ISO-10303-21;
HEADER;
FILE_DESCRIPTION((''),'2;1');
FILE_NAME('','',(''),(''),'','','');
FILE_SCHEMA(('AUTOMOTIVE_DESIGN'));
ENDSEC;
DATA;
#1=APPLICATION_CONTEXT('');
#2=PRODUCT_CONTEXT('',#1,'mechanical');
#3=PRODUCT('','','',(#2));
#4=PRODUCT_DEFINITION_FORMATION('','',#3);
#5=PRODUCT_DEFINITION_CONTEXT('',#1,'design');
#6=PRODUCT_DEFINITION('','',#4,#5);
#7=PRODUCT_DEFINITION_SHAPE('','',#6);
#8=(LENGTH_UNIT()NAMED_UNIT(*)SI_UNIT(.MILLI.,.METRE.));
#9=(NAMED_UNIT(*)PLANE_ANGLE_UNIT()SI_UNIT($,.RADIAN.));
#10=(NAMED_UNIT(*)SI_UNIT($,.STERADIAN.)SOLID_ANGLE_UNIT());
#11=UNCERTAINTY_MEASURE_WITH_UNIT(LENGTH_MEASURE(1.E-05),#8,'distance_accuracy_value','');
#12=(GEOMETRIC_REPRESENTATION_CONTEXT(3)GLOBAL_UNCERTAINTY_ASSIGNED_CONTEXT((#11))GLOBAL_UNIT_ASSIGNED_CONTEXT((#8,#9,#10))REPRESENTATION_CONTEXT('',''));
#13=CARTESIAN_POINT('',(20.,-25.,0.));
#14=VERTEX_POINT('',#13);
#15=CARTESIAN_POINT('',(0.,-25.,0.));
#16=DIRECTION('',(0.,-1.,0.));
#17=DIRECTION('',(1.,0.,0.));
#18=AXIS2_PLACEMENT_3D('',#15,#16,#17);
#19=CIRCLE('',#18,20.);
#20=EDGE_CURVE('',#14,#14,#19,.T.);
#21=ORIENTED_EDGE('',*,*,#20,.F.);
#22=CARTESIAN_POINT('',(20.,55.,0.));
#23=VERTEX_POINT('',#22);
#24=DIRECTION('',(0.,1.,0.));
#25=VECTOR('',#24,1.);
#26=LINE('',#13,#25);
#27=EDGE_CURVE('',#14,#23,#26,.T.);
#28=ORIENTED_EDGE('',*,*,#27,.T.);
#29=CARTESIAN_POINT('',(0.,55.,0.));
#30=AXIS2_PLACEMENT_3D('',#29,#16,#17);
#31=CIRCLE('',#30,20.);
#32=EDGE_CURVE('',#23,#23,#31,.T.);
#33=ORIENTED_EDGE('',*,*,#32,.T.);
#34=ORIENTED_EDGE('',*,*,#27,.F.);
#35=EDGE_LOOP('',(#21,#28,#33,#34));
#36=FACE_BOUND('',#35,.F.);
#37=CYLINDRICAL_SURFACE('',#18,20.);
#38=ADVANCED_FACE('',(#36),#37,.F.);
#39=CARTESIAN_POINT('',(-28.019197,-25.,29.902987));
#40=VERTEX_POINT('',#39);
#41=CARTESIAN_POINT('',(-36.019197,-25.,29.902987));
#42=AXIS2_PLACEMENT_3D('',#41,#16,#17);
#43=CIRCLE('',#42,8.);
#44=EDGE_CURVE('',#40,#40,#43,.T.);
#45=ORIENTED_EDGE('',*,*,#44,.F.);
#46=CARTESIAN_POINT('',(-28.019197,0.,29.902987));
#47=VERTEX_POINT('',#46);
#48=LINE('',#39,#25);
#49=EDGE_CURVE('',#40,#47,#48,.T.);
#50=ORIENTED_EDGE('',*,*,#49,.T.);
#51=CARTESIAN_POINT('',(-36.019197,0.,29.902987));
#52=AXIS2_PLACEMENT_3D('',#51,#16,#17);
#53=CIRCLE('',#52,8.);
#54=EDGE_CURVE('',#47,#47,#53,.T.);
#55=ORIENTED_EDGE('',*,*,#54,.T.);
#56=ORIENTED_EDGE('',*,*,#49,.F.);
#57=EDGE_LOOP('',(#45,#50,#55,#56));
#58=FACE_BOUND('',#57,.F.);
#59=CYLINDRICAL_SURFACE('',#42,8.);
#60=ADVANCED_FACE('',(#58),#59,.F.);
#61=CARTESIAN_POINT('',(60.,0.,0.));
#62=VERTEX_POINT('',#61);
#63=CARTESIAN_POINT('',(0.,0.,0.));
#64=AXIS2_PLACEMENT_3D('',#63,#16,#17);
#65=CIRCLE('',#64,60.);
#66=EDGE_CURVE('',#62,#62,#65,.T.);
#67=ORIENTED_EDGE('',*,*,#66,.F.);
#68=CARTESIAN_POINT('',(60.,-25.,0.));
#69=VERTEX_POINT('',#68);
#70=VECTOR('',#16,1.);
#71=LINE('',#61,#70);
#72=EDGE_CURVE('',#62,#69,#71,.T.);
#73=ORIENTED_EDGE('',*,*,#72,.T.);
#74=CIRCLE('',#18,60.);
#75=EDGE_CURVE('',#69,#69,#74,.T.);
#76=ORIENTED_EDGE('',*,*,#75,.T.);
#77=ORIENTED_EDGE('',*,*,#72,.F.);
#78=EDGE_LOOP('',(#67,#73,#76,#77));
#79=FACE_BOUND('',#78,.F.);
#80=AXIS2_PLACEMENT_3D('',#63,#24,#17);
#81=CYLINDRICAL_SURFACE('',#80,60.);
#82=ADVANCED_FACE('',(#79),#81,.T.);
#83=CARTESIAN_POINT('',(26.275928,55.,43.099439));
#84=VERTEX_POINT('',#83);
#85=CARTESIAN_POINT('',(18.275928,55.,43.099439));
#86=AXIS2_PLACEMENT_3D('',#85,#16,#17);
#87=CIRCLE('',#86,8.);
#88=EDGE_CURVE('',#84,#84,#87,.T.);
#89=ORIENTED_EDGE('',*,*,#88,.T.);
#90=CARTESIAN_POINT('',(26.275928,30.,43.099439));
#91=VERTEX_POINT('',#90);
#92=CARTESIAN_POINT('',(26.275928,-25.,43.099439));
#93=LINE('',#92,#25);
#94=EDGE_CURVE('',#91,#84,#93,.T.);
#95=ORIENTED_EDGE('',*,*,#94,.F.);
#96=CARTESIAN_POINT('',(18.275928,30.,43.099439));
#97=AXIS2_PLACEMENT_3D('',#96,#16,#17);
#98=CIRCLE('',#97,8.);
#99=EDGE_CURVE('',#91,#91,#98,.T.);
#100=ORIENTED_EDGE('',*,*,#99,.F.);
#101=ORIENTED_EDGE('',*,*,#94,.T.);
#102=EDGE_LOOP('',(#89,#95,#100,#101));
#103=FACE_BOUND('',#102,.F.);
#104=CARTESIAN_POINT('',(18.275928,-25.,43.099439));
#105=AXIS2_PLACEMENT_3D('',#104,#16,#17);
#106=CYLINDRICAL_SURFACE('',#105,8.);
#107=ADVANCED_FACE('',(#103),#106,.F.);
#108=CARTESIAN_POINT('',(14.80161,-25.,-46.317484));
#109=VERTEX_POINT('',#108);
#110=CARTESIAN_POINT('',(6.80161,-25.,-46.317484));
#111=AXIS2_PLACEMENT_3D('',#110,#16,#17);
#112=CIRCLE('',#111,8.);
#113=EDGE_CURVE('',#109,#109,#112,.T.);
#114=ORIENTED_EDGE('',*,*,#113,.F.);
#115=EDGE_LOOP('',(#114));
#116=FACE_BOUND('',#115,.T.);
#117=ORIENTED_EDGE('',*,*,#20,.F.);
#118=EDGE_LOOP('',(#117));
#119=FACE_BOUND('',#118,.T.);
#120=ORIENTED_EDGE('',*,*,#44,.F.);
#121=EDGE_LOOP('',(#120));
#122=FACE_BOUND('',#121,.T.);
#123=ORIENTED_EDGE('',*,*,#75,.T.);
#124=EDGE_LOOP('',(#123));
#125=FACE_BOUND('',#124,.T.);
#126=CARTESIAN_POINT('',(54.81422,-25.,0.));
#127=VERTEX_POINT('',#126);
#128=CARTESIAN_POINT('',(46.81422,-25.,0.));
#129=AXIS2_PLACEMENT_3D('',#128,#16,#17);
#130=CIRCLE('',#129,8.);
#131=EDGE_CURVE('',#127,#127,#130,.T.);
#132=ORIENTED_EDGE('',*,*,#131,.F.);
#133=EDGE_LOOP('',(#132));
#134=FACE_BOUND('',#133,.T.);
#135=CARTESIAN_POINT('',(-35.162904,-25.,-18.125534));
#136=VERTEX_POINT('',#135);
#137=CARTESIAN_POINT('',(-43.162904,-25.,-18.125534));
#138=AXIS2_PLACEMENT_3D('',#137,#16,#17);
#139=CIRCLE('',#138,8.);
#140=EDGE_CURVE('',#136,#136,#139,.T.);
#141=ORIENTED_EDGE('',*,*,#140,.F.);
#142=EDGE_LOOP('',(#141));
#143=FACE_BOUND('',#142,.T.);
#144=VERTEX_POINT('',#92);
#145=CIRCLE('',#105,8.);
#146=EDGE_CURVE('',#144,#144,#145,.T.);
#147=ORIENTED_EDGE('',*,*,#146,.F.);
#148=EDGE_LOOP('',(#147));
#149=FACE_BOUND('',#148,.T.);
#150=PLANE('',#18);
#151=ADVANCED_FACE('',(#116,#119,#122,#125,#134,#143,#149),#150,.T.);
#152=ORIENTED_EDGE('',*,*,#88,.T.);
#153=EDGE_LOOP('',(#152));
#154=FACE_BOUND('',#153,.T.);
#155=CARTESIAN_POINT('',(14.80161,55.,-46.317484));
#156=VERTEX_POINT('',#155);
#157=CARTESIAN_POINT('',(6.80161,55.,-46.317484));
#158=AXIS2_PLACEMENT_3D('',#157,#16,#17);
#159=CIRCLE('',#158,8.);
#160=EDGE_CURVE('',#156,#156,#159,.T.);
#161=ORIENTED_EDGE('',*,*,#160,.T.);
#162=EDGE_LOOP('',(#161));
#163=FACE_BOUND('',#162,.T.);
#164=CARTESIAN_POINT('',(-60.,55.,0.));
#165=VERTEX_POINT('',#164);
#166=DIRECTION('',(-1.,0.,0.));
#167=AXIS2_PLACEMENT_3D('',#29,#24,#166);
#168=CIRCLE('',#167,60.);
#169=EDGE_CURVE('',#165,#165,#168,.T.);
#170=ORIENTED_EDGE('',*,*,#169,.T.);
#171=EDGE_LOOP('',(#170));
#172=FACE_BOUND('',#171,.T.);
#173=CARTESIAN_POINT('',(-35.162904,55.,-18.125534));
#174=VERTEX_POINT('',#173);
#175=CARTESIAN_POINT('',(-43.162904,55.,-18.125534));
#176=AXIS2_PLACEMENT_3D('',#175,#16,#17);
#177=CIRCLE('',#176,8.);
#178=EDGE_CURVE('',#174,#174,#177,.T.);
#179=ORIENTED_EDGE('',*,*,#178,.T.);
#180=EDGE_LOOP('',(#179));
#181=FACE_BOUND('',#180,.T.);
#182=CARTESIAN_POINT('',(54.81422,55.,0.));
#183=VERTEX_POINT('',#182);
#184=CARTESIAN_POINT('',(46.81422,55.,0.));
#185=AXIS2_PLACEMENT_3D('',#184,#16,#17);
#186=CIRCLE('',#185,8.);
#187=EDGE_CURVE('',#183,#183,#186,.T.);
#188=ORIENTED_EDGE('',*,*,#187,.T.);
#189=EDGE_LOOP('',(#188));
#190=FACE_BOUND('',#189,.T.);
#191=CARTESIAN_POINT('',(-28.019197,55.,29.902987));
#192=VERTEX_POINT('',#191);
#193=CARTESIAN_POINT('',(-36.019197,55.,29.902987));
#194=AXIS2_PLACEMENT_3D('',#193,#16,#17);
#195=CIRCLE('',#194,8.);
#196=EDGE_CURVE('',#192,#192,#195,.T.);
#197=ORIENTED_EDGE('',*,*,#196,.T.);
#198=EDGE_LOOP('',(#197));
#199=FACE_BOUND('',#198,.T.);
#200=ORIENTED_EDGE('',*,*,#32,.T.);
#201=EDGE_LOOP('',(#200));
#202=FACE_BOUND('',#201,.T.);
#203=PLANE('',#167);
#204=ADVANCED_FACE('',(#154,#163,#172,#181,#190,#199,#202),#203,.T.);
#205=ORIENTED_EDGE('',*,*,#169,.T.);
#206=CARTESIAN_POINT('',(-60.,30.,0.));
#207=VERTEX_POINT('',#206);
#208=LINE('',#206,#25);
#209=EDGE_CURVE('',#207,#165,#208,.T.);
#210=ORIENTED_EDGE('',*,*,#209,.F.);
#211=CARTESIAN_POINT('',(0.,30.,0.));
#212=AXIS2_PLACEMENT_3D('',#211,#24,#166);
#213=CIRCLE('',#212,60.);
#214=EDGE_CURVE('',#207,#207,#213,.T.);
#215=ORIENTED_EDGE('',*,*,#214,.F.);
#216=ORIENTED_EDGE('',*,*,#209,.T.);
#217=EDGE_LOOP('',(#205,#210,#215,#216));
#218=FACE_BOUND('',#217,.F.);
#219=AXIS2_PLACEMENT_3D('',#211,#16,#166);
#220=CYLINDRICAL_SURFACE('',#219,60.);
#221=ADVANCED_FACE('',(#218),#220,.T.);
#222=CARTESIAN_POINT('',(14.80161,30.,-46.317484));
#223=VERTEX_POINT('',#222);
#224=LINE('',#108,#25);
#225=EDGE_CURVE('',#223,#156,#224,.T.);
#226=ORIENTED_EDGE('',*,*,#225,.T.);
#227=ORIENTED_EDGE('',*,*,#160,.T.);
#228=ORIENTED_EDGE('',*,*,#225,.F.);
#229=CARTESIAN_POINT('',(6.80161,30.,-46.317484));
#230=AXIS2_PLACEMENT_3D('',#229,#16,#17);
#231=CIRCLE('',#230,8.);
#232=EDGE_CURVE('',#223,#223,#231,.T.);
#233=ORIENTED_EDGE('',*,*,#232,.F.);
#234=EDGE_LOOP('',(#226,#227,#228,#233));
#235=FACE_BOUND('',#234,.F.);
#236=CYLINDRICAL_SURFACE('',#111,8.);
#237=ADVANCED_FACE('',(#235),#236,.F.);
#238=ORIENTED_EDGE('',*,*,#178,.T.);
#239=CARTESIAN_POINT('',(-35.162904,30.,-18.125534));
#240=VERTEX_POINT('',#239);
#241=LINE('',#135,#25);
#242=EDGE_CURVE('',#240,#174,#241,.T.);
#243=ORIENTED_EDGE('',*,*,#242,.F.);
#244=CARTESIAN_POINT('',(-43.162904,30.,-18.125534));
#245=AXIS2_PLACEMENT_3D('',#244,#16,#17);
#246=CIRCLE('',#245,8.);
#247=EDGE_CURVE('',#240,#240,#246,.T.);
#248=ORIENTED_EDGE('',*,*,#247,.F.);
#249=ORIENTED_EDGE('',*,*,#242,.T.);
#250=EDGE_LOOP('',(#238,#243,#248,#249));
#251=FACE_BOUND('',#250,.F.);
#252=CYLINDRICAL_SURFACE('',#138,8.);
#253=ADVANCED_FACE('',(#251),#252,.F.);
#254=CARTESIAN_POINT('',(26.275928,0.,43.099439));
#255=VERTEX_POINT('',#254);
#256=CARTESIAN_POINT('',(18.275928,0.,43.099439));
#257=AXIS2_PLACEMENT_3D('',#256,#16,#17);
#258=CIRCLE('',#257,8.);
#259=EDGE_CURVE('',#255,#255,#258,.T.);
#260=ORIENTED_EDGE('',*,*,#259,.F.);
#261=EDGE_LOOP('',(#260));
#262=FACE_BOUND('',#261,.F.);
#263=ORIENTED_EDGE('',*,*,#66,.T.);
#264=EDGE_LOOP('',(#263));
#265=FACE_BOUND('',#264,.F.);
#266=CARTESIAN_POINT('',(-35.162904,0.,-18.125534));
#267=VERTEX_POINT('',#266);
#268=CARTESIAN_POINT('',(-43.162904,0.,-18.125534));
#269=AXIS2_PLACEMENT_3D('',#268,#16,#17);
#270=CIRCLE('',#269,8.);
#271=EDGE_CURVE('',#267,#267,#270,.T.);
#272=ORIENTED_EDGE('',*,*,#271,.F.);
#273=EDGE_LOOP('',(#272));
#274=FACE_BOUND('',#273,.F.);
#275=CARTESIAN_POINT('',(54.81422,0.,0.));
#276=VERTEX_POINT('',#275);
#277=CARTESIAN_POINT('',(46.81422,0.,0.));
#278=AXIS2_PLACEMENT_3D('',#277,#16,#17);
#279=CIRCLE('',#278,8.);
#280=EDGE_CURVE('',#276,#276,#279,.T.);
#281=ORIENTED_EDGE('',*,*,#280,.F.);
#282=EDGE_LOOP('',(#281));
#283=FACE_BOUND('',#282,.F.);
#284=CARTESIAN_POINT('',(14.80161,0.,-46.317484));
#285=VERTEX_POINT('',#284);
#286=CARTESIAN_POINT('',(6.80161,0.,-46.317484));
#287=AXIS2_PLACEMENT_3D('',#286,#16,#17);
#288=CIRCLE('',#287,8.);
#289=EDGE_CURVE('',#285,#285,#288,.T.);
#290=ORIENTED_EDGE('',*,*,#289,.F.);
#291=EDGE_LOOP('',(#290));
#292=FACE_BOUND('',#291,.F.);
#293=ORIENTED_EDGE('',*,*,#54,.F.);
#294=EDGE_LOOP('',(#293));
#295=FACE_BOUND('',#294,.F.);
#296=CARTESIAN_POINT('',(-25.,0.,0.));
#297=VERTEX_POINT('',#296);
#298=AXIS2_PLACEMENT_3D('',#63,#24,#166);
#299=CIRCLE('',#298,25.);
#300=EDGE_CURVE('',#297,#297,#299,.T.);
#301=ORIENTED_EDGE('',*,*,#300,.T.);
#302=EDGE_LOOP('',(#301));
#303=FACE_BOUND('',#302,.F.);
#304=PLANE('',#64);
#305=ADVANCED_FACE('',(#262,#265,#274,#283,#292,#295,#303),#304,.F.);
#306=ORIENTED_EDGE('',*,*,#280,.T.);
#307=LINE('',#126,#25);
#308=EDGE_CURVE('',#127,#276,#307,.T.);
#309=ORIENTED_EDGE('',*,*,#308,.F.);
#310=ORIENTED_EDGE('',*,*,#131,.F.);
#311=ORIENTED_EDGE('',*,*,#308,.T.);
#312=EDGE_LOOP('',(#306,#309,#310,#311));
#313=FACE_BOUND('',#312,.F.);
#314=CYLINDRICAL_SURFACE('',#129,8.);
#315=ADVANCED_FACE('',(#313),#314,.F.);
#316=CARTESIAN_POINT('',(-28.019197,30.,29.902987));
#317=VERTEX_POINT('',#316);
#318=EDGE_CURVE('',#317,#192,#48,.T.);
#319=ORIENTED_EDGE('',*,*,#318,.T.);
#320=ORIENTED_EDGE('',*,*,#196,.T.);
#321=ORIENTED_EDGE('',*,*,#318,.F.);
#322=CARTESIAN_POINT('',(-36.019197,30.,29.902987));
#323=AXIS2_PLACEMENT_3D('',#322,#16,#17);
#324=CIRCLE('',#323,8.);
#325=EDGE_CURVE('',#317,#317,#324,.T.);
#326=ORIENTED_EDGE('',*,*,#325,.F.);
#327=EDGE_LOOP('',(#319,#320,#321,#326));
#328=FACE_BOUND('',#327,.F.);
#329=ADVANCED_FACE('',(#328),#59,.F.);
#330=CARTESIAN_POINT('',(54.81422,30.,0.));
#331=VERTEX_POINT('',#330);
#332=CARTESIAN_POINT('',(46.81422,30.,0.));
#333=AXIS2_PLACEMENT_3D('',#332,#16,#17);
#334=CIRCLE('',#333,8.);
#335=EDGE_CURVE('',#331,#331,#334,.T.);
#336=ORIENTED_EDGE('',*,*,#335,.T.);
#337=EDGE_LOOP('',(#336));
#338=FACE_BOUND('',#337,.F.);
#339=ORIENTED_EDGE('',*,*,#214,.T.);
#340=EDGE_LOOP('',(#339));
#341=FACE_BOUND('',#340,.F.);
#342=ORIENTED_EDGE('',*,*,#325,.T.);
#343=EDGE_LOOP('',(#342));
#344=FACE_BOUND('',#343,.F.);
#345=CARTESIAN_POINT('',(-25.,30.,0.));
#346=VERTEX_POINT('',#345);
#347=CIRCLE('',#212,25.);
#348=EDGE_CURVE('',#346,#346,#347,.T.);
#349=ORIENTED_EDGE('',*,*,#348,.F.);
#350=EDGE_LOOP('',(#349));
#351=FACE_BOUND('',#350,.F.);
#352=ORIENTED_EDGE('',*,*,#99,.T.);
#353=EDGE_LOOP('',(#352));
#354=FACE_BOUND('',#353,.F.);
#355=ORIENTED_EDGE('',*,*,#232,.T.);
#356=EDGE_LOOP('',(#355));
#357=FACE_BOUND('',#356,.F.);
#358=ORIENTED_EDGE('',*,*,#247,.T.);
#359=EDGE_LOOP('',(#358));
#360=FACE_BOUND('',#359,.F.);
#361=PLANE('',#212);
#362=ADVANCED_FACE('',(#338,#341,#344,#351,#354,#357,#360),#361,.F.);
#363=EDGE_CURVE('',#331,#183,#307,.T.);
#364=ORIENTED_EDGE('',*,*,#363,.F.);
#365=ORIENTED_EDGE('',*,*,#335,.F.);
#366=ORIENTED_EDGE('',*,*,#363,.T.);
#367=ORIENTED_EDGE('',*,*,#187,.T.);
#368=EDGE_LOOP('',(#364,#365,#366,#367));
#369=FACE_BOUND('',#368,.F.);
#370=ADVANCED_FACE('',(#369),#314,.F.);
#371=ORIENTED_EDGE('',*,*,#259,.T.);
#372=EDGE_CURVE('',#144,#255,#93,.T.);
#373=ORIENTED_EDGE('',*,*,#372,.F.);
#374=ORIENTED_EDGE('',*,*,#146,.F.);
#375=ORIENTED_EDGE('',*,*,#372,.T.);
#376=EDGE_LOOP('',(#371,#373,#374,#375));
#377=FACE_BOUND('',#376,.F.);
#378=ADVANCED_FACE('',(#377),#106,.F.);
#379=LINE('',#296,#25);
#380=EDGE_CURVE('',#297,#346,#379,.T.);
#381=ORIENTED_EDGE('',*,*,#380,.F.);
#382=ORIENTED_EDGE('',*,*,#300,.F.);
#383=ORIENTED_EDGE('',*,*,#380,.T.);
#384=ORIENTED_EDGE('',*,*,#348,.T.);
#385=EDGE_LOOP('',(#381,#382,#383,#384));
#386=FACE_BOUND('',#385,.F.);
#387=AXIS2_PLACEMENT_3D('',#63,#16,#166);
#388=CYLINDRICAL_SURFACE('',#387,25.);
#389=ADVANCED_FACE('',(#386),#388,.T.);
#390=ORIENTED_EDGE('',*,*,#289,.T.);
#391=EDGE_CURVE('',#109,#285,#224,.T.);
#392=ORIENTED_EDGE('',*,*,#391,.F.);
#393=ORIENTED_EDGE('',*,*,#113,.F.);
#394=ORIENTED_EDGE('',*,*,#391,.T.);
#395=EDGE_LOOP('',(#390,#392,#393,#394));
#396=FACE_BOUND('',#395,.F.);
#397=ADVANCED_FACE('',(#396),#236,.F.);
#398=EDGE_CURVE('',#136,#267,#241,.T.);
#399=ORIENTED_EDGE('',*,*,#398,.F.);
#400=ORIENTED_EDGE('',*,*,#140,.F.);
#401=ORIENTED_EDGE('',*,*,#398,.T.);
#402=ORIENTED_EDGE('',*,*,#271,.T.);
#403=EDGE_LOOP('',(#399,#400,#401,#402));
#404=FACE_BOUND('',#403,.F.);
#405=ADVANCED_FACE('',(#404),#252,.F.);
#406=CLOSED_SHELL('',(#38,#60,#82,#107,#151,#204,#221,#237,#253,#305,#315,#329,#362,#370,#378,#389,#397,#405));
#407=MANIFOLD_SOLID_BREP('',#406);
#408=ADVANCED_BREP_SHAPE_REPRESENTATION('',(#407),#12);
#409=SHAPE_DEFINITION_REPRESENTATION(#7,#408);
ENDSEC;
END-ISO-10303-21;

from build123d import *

# Parameters (mm, degrees)
F0_R     = 60
F1_DEPTH = 25
F2_R     = 25
F3_DEPTH = 30
F4_R     = 60
F5_DEPTH = 25
F6_R     = 20
F7_DEPTH = 80.001
F8_R     = 8
F9_DEPTH = 80.001


with BuildPart() as f1:
    # F0 (on Front) → F1 (new body)
    with BuildSketch(Plane.XZ):
        Circle(F0_R)
    extrude(amount=F1_DEPTH)

    # F2 (on face) → F3 (join)
    with BuildSketch(Plane(origin=(0, 0, 0), x_dir=(-1, 0, 0), z_dir=(0, 1, 0))):
        Circle(F2_R)
    extrude(amount=F3_DEPTH)

    # F4 (on face) → F5 (join)
    with BuildSketch(Plane(origin=(0, 30, 0), x_dir=(-1, 0, 0), z_dir=(0, 1, 0))):
        Circle(F4_R)
    extrude(amount=F5_DEPTH)

    # F6 (on face) → F7 (cut, through all)
    with BuildSketch(Plane.XZ.offset(25)):
        Circle(F6_R)
    extrude(amount=-F7_DEPTH, mode=Mode.SUBTRACT)

    # F8 (on face) → F9 (cut, through all)
    with BuildSketch(Plane.XZ.offset(25)):
        with Locations((-36.019197, 29.902987)):
            Circle(F8_R)
        with Locations((18.275928, 43.099439)):
            Circle(F8_R)
        with Locations((-43.162904, -18.125534)):
            Circle(F8_R)
        with Locations((46.81422, 0)):
            Circle(F8_R)
        with Locations((6.80161, -46.317484)):
            Circle(F8_R)
    extrude(amount=-F9_DEPTH, mode=Mode.SUBTRACT)


solid = f1.part
